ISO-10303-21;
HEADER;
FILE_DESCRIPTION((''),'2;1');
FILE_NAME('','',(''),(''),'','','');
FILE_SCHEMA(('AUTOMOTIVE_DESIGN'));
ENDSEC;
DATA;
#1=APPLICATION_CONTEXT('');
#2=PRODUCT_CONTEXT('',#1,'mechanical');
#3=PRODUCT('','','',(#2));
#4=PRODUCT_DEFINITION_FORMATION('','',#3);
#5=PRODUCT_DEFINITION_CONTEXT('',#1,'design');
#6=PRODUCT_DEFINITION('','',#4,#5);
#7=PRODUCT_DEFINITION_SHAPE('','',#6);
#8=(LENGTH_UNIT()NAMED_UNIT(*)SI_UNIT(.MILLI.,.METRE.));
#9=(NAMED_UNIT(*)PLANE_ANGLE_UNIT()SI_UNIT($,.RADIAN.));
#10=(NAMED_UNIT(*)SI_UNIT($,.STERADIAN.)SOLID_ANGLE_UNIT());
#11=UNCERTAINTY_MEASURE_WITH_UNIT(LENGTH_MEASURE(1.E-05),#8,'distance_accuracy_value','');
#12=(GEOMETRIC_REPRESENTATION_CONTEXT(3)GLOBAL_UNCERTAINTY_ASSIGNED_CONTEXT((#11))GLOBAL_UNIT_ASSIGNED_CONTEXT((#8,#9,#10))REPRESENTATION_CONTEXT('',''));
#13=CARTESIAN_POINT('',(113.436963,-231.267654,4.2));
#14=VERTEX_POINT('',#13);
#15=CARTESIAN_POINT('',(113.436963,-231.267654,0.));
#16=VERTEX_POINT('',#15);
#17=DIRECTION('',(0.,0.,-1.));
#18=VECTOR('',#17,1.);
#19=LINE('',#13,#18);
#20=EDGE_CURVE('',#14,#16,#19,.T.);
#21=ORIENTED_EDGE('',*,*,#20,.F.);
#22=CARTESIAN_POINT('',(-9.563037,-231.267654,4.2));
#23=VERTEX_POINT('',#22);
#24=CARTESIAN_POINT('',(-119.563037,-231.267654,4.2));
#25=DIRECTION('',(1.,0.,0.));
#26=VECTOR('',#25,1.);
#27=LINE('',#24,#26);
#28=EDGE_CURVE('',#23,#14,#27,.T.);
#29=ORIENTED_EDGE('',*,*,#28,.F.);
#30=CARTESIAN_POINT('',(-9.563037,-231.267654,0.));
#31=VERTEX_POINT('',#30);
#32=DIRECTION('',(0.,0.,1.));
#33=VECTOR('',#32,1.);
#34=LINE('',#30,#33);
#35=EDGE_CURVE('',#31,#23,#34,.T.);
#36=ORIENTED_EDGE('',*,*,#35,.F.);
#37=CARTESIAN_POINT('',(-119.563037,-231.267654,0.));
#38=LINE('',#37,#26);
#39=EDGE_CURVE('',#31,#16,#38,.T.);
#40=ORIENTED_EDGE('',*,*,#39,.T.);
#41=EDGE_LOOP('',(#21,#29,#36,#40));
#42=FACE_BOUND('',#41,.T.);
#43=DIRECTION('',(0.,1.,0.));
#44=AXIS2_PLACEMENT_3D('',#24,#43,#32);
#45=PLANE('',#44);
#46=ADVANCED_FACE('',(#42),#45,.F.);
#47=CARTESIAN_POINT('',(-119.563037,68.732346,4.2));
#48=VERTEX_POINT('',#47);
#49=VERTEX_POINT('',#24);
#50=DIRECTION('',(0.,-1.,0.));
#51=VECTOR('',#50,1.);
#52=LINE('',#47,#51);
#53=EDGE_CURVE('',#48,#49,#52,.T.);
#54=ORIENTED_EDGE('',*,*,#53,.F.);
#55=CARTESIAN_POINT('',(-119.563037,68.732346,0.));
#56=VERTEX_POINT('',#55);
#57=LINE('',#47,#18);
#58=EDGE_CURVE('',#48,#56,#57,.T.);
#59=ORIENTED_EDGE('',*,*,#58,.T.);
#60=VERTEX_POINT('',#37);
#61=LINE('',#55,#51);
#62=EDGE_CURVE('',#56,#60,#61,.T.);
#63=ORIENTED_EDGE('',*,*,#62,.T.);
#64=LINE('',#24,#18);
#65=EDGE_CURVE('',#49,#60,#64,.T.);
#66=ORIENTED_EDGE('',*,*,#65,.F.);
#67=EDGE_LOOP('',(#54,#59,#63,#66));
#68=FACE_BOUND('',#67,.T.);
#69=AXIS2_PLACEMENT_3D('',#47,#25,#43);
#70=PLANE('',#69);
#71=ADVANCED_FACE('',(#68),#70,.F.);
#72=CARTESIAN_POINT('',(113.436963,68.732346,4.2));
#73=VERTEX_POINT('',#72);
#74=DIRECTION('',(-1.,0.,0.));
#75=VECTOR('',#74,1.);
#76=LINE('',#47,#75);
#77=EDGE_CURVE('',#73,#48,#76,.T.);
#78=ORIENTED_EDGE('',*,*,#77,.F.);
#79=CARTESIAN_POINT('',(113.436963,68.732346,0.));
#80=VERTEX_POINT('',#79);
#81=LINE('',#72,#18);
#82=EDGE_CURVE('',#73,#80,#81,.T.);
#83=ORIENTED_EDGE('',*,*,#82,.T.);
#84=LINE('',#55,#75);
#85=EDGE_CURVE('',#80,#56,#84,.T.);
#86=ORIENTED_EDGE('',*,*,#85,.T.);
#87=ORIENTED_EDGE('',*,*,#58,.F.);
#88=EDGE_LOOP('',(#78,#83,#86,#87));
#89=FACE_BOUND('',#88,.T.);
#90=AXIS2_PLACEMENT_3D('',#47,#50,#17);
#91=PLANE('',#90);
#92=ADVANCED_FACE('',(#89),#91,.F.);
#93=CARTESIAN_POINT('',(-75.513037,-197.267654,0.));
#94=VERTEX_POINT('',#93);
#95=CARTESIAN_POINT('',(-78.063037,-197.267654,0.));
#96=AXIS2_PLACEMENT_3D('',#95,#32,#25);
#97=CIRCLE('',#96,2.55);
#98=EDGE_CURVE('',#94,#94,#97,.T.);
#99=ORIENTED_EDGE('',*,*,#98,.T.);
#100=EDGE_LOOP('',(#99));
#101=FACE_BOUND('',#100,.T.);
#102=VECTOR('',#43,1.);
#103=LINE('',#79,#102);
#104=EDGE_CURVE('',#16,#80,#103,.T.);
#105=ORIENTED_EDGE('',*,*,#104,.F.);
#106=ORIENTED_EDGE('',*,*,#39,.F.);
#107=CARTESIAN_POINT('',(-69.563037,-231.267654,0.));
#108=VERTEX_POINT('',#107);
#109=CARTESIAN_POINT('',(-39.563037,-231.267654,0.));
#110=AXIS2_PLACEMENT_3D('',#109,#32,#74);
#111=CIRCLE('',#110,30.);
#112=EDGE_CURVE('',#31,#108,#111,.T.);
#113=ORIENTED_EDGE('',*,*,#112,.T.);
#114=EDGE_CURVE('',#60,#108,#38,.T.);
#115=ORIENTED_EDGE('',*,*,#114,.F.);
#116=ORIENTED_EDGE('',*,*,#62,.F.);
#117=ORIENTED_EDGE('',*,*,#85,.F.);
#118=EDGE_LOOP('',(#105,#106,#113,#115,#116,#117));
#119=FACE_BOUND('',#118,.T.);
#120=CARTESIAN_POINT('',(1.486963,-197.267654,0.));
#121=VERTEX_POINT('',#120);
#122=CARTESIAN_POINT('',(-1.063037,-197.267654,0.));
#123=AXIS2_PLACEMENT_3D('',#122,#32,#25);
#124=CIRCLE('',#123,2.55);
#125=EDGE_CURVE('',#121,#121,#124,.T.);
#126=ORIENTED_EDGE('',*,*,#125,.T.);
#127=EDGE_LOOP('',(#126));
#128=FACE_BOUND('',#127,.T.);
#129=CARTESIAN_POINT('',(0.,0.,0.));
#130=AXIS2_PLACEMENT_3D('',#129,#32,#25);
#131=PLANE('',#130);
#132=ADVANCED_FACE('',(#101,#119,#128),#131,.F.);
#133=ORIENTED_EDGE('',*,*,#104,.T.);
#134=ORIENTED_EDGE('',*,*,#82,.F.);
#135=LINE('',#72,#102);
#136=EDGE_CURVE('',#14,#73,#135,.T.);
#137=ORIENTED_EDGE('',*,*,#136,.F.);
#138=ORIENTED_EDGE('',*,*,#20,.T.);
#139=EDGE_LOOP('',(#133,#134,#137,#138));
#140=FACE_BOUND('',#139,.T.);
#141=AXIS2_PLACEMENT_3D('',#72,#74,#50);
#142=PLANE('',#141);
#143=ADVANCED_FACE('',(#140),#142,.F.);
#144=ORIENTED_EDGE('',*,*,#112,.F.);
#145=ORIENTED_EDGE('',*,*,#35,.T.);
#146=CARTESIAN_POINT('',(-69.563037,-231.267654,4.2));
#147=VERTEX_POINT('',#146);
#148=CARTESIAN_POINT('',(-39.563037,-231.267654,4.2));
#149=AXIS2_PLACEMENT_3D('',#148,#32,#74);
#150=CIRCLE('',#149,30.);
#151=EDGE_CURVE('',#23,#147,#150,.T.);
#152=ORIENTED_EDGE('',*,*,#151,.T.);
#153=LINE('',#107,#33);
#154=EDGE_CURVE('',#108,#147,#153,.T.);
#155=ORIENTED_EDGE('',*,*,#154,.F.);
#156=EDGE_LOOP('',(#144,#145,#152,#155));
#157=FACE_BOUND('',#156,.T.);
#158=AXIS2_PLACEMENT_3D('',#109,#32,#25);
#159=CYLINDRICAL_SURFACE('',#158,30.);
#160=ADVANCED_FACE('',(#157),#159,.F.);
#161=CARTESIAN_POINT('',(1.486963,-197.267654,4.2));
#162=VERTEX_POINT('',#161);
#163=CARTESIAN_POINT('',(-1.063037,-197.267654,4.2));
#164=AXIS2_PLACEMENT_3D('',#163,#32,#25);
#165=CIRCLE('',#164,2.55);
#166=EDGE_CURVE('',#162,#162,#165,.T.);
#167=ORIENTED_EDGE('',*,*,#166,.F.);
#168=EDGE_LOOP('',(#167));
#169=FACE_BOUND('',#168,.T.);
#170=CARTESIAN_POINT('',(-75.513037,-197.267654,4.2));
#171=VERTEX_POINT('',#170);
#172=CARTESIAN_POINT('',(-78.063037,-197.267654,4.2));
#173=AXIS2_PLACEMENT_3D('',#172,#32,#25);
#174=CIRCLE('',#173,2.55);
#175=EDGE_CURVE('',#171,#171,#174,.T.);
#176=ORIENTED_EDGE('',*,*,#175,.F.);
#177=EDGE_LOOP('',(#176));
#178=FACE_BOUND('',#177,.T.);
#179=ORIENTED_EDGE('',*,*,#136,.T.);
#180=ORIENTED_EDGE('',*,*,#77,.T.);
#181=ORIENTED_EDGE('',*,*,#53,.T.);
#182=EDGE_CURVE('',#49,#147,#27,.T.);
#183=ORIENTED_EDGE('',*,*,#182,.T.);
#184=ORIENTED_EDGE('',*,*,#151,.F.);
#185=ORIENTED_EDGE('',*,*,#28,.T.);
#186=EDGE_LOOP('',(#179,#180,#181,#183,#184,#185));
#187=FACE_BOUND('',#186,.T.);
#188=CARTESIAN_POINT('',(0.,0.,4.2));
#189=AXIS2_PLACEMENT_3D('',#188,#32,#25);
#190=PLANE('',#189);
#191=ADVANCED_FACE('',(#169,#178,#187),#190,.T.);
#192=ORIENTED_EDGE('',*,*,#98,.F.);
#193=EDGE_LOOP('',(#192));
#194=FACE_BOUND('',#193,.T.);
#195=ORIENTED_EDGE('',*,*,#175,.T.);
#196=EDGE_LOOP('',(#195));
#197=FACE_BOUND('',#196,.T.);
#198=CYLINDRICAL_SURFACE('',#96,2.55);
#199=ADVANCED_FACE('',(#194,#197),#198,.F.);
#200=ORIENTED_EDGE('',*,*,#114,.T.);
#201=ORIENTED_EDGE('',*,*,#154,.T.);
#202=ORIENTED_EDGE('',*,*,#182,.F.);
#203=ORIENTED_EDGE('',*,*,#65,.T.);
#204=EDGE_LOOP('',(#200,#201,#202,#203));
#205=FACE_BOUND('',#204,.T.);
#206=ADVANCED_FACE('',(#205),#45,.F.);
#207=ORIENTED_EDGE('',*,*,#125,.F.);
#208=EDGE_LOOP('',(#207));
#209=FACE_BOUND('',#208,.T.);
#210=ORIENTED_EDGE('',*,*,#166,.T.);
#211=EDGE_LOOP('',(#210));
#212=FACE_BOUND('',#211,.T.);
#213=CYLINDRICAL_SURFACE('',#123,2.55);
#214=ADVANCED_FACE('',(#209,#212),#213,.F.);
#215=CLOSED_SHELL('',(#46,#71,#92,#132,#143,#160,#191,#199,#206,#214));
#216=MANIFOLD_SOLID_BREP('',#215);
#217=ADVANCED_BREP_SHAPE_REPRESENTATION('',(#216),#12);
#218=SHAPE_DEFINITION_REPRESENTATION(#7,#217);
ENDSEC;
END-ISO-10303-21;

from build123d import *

# Parameters (mm, degrees)
ESQUISSE1_W             = 233
ESQUISSE1_H             = 300
BOSS_EXTRU_1_DEPTH      = 4.2
ESQUISSE2_R             = 2.55
ENL_V_MAT_EXTRU_1_DEPTH = 5.2


with BuildPart() as part:
    # Esquisse1 → Boss.-Extru.1 (new body)
    with BuildSketch(Plane.XY):
        with Locations((-3.063037439, -81.267653759)):
            Rectangle(ESQUISSE1_W, ESQUISSE1_H)
    extrude(amount=BOSS_EXTRU_1_DEPTH)

    # Esquisse2 → Enlèv. mat.-Extru.1 (cut, through all)
    with BuildSketch(Plane.XY.offset(4.2)):
        with Locations((-78.063037439, -197.267653759)):
            Circle(ESQUISSE2_R)
        with Locations((-1.063037439, -197.267653759)):
            Circle(ESQUISSE2_R)
        with BuildLine():
            Line((-69.563037439, -231.267653759), (-9.563037439, -231.267653759))
            ThreePointArc((-9.563037439, -231.267653759), (-39.563037439, -201.267653759), (-69.563037439, -231.267653759))
        make_face()
    extrude(amount=-ENL_V_MAT_EXTRU_1_DEPTH, mode=Mode.SUBTRACT)


solid = part.part
